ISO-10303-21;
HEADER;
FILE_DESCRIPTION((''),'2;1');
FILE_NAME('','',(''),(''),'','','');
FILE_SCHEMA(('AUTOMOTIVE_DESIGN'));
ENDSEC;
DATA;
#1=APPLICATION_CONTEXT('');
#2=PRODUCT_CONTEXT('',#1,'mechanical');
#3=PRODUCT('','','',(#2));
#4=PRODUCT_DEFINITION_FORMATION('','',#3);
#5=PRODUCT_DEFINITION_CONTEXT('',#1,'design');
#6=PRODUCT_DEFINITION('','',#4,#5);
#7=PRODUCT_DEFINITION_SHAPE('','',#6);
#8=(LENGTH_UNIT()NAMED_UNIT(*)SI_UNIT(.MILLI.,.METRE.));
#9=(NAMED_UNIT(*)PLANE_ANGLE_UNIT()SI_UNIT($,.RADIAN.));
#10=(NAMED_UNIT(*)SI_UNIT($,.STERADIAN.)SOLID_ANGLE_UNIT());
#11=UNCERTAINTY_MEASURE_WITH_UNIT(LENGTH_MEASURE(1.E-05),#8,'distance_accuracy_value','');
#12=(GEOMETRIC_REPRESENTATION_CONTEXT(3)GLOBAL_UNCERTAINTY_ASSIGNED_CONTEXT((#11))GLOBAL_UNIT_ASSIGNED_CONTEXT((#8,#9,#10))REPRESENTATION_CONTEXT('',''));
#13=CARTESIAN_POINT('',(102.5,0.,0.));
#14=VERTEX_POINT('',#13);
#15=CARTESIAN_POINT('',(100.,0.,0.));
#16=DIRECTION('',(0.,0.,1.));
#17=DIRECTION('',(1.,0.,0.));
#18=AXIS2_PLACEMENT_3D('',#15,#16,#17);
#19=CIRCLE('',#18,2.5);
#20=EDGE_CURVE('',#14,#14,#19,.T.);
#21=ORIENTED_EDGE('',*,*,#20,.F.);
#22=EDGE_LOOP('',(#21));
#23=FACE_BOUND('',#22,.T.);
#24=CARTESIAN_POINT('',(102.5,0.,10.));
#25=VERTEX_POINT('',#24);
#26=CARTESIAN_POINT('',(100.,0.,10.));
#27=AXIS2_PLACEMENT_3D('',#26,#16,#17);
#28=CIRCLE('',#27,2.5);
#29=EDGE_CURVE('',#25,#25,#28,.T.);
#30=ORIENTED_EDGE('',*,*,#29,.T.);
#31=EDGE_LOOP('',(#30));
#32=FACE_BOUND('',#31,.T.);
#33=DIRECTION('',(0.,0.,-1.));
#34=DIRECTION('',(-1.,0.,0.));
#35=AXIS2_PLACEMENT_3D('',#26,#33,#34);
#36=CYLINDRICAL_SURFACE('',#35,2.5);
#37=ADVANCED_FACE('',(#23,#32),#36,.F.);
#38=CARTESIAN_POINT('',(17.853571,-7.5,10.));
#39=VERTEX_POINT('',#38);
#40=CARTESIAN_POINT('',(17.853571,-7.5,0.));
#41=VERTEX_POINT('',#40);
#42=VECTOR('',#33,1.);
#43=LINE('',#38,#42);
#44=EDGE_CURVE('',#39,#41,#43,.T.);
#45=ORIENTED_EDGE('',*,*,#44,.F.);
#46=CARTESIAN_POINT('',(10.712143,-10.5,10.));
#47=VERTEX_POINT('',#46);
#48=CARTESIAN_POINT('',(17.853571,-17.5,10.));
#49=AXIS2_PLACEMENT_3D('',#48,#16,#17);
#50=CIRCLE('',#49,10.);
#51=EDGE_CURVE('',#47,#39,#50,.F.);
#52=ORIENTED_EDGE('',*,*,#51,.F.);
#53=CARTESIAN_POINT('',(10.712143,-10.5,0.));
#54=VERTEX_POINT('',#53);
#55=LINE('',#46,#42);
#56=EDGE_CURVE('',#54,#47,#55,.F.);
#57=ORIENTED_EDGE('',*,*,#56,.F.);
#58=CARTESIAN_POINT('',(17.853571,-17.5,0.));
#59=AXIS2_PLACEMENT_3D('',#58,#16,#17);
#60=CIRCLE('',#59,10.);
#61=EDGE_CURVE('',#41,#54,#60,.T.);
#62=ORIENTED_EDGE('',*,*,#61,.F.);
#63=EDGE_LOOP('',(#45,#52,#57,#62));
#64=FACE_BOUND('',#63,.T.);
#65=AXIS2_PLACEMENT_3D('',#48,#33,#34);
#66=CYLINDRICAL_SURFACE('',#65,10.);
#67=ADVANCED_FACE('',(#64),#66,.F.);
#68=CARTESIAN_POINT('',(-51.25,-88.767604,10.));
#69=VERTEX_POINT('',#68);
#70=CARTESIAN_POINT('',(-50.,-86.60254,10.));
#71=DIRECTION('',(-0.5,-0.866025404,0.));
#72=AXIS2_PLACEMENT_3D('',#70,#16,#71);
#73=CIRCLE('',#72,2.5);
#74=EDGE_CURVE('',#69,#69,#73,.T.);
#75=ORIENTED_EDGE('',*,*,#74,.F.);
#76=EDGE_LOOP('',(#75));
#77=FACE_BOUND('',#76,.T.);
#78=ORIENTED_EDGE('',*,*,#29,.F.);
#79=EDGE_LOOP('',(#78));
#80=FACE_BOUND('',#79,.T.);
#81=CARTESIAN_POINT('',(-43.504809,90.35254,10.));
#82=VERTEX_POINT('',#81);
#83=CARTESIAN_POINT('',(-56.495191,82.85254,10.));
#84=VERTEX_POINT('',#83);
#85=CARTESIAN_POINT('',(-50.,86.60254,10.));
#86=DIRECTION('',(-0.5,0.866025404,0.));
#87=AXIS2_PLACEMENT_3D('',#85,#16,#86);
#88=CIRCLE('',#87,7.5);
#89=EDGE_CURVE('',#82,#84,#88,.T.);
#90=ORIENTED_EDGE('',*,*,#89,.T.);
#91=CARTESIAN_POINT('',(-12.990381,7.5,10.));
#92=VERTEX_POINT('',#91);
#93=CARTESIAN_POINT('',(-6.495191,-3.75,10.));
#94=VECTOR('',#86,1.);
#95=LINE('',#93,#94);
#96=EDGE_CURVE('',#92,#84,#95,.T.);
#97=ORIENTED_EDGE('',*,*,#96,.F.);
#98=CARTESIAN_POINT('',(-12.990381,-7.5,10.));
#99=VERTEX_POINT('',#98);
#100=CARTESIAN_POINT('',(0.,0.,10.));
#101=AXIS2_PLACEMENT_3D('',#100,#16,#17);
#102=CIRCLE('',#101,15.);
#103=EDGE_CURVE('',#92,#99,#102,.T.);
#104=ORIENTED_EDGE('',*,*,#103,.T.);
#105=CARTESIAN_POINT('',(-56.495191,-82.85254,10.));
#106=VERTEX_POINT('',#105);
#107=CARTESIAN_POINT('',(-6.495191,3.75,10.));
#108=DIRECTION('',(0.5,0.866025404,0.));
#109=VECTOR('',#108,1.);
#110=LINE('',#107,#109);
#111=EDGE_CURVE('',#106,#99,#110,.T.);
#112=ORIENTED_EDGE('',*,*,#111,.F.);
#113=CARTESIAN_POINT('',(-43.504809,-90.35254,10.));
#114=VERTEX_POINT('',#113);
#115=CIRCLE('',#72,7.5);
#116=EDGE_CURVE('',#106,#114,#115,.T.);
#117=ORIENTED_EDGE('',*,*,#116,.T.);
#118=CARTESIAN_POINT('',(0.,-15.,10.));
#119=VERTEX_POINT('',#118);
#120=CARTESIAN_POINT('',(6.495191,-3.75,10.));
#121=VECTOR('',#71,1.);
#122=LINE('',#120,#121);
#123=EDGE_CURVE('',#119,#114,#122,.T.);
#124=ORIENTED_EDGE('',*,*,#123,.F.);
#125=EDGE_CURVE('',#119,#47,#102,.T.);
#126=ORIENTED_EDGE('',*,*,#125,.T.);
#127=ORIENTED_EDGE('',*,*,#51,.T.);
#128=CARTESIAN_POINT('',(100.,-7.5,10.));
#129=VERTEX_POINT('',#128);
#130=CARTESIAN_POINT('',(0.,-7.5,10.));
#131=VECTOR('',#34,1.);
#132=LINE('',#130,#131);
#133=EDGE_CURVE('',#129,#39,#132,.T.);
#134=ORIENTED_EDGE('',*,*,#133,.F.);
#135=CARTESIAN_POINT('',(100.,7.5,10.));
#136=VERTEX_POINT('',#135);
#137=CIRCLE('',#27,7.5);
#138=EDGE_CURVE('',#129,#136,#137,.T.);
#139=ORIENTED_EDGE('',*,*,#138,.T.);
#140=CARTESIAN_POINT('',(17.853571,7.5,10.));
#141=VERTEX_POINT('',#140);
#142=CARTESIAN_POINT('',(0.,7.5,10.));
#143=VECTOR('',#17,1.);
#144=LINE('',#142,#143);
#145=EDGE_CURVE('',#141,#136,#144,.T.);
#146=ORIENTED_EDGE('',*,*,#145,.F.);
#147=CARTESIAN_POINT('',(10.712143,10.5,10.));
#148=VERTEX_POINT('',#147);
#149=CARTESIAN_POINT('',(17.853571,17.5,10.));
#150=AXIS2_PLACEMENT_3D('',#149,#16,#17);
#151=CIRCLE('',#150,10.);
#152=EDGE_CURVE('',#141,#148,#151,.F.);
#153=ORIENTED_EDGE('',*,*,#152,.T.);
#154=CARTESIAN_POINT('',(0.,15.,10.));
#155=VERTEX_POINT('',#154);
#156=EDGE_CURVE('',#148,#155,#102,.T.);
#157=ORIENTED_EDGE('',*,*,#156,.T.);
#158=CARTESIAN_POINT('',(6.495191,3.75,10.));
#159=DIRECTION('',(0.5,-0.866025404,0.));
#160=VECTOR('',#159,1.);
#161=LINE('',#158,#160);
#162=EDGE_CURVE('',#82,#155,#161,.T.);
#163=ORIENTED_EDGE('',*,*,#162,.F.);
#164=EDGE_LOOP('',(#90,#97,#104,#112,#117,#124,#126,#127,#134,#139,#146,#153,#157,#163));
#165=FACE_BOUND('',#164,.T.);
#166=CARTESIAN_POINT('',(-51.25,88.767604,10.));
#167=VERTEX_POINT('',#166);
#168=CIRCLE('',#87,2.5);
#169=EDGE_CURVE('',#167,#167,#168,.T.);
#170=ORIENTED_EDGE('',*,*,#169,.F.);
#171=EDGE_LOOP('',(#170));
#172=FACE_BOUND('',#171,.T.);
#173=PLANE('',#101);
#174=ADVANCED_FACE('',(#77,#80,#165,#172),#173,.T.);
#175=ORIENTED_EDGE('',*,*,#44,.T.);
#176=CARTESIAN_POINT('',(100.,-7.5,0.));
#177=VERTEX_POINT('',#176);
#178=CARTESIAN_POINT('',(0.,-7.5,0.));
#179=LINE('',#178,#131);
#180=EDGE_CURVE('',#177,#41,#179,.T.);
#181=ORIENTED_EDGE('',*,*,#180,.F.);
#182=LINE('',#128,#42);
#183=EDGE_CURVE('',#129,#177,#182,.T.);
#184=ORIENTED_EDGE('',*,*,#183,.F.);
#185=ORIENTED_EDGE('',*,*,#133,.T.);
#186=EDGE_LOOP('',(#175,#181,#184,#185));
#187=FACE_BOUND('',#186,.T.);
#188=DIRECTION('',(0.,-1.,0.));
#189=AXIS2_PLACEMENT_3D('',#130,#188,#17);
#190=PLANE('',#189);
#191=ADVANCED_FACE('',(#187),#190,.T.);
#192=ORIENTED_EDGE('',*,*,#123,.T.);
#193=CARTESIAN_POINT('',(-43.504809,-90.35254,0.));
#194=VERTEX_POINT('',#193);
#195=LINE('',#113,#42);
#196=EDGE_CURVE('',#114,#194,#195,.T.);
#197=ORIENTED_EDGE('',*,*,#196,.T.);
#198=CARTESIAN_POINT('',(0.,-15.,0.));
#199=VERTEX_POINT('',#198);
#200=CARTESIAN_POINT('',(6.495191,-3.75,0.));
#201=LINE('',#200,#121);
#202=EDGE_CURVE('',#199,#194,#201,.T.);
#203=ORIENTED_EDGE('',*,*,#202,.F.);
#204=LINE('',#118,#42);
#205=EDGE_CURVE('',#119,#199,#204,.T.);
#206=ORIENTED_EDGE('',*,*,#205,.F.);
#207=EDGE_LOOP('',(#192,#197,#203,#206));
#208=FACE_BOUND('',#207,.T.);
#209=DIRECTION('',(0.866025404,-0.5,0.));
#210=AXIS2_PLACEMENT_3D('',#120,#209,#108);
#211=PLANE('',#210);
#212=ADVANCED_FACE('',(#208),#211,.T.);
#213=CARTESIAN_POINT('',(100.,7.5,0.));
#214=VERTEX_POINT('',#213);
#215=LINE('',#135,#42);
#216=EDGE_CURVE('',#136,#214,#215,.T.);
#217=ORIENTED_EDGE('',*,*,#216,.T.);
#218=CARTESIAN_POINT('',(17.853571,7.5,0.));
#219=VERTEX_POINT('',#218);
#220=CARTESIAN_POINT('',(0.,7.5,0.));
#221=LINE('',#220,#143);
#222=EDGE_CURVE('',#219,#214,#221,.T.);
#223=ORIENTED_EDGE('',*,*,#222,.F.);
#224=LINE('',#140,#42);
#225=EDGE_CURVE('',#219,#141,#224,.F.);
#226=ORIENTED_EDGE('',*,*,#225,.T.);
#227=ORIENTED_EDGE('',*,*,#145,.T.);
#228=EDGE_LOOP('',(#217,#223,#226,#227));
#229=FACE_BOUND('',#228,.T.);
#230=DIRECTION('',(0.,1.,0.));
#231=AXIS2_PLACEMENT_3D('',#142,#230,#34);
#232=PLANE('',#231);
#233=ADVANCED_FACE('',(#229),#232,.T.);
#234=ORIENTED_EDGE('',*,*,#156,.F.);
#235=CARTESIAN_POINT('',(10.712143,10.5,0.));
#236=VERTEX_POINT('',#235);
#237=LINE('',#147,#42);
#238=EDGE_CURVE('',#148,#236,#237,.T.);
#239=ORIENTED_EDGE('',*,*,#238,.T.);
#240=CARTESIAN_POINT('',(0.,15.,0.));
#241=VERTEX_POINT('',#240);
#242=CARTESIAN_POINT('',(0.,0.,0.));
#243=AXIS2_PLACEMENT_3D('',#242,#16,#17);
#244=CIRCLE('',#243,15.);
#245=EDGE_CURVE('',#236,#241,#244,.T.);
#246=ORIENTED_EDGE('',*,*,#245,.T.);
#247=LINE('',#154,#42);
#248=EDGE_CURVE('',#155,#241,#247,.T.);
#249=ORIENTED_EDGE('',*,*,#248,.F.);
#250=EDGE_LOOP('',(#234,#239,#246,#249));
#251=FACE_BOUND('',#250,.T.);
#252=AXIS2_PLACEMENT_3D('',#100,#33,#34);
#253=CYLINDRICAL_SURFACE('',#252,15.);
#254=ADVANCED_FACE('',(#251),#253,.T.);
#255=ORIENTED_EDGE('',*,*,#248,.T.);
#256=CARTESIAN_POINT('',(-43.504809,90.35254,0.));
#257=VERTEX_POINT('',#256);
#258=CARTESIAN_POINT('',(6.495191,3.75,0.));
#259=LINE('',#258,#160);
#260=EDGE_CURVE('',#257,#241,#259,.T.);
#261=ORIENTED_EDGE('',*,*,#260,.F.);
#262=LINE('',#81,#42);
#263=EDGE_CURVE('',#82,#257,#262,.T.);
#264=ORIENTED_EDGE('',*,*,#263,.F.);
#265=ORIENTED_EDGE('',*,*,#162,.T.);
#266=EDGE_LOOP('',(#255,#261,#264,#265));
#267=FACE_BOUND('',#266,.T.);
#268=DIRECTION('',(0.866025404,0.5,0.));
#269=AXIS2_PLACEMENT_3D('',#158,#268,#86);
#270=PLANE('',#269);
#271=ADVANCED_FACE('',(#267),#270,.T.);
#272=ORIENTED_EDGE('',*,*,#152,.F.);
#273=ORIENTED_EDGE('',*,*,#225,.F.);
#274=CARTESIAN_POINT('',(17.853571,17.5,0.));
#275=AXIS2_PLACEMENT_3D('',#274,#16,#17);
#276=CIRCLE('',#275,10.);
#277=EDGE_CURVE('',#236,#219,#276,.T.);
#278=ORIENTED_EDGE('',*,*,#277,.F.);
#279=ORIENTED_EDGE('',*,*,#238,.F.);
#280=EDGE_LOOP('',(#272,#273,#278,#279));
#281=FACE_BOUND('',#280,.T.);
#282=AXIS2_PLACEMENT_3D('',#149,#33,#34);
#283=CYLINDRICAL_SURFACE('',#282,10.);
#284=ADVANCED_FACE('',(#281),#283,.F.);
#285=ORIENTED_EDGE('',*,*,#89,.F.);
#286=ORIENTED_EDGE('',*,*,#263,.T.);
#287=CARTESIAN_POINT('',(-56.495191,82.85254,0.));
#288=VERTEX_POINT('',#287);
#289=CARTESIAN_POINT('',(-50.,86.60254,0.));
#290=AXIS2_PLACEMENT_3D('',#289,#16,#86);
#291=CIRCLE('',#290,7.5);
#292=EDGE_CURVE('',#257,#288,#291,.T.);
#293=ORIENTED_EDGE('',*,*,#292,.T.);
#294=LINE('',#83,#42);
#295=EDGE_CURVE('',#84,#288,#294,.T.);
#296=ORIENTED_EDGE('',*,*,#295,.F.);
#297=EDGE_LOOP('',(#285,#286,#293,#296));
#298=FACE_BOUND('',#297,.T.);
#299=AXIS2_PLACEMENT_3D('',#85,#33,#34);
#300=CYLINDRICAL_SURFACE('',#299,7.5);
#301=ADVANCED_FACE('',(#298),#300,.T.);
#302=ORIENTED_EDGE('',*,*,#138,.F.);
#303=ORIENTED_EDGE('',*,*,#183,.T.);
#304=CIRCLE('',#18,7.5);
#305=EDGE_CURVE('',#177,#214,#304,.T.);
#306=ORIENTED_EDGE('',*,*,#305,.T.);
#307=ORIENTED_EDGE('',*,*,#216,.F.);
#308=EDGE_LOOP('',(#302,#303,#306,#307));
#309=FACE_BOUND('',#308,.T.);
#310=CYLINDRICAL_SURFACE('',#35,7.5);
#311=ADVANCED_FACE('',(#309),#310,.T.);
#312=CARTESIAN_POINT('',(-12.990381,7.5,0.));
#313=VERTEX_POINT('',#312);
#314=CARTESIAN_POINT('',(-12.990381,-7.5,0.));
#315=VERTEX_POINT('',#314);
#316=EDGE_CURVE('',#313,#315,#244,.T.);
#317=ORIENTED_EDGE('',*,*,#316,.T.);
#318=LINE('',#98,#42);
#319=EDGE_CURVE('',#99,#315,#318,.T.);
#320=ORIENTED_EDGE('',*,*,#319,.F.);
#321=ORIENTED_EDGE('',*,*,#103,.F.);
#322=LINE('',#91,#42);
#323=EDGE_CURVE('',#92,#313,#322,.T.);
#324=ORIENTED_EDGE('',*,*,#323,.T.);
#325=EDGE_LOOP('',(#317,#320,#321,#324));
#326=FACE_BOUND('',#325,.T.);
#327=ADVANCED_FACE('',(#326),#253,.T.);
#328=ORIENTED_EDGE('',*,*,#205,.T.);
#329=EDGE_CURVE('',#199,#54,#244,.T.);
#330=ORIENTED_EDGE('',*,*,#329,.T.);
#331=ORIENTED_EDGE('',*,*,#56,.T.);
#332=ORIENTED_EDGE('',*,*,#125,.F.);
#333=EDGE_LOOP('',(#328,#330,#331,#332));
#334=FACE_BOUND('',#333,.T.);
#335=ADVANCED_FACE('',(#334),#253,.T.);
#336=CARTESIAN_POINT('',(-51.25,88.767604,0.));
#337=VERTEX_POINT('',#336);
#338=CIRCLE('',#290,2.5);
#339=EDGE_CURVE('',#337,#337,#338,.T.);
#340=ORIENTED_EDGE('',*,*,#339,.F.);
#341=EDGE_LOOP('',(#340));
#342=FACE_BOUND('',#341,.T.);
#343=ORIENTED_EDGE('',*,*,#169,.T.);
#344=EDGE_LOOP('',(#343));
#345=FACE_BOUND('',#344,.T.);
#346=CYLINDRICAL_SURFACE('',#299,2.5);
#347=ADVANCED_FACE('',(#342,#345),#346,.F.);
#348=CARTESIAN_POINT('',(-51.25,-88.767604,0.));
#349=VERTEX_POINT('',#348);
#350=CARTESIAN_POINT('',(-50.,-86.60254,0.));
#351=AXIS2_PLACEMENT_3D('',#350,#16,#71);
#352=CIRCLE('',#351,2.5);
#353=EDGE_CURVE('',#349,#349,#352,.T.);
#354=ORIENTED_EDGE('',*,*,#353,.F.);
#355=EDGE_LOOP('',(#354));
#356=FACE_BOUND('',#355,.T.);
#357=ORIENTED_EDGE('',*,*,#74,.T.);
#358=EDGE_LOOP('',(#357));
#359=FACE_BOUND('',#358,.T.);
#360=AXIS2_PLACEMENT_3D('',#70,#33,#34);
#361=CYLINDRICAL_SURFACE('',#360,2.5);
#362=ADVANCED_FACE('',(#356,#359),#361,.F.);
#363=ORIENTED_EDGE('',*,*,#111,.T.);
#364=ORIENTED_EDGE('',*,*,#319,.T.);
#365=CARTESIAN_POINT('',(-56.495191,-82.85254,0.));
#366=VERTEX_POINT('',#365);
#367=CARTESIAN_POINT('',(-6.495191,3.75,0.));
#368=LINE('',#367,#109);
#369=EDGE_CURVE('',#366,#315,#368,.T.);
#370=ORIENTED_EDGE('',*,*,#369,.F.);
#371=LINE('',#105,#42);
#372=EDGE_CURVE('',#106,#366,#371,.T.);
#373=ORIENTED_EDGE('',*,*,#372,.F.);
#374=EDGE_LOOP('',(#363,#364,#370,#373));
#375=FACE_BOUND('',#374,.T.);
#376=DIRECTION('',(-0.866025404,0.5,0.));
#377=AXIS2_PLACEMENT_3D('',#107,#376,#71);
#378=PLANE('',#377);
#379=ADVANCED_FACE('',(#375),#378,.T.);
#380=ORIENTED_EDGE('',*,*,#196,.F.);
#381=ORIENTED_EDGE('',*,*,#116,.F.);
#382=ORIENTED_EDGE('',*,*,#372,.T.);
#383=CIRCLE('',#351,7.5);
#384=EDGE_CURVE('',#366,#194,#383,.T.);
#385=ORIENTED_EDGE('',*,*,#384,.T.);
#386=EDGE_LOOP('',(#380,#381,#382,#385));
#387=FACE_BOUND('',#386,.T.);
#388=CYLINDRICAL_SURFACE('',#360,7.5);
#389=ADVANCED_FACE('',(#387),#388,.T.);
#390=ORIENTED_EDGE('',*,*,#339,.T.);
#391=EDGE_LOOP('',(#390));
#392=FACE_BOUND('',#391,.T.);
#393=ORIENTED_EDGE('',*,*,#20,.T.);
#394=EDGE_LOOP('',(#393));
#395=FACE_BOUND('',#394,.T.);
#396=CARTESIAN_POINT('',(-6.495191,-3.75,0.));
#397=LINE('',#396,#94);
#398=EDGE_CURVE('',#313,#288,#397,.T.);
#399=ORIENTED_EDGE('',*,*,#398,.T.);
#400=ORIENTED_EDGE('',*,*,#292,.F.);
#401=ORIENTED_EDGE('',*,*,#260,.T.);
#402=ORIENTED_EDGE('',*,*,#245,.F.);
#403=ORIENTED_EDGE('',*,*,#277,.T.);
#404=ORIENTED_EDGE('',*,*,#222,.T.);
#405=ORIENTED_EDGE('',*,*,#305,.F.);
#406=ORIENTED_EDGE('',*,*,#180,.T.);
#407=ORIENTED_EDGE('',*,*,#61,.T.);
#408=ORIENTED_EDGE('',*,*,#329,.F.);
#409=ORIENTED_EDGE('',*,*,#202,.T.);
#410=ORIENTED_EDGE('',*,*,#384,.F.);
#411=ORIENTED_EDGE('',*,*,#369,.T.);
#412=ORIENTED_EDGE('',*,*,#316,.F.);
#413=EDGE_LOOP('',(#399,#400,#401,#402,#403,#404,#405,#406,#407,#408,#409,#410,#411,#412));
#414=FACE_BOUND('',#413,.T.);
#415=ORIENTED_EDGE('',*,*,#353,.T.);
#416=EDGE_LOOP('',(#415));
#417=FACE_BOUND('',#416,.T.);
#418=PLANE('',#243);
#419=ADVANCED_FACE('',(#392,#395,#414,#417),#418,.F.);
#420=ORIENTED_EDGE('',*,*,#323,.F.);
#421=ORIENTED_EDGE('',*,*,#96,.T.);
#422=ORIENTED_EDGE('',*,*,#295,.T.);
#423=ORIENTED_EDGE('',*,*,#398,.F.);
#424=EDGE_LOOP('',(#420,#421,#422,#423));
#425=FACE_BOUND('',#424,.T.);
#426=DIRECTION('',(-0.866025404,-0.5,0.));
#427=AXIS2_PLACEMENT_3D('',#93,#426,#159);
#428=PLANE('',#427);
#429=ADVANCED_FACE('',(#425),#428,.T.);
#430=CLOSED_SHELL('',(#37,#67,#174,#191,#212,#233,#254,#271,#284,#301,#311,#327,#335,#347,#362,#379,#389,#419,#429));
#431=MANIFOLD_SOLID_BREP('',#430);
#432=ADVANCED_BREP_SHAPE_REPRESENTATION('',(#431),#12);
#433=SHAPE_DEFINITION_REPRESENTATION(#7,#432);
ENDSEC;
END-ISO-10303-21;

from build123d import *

# Parameters (mm, degrees)
SKETCH1_R           = 2.5
BOSS_EXTRUDE1_DEPTH = 10
FILLET1_R           = 10
CIRPATTERN1_COUNT   = 3


with BuildPart() as part:
    # Sketch1 → Boss-Extrude1 (new body)
    with BuildSketch(Plane.XY):
        with BuildLine():
            Line((100, 7.5), (12.990381057, 7.5))
            ThreePointArc((12.990381057, 7.5), (-15, 0), (12.990381057, -7.5))
            Line((12.990381057, -7.5), (100, -7.5))
            ThreePointArc((100, -7.5), (107.5, 0), (100, 7.5))
        make_face()
        with Locations((100, 0)):
            Circle(SKETCH1_R, mode=Mode.SUBTRACT)
    boss_extrude1 = extrude(amount=BOSS_EXTRUDE1_DEPTH)

    # Fillet1
    fillet1_edges = [part.edges().sort_by_distance(p)[0] for p in [
        (12.990381057, 7.5, 5),
        (12.990381057, -7.5, 5),
    ]]
    fillet(fillet1_edges, radius=FILLET1_R)

    # CirPattern1: Boss-Extrude1 ×3 about axis
    cirpattern1_axis = Axis((0, 0, 10), (0, 0, -1))
    for i in range(1, CIRPATTERN1_COUNT):
        add(boss_extrude1.rotate(cirpattern1_axis, i * 360 / CIRPATTERN1_COUNT))


solid = part.part
